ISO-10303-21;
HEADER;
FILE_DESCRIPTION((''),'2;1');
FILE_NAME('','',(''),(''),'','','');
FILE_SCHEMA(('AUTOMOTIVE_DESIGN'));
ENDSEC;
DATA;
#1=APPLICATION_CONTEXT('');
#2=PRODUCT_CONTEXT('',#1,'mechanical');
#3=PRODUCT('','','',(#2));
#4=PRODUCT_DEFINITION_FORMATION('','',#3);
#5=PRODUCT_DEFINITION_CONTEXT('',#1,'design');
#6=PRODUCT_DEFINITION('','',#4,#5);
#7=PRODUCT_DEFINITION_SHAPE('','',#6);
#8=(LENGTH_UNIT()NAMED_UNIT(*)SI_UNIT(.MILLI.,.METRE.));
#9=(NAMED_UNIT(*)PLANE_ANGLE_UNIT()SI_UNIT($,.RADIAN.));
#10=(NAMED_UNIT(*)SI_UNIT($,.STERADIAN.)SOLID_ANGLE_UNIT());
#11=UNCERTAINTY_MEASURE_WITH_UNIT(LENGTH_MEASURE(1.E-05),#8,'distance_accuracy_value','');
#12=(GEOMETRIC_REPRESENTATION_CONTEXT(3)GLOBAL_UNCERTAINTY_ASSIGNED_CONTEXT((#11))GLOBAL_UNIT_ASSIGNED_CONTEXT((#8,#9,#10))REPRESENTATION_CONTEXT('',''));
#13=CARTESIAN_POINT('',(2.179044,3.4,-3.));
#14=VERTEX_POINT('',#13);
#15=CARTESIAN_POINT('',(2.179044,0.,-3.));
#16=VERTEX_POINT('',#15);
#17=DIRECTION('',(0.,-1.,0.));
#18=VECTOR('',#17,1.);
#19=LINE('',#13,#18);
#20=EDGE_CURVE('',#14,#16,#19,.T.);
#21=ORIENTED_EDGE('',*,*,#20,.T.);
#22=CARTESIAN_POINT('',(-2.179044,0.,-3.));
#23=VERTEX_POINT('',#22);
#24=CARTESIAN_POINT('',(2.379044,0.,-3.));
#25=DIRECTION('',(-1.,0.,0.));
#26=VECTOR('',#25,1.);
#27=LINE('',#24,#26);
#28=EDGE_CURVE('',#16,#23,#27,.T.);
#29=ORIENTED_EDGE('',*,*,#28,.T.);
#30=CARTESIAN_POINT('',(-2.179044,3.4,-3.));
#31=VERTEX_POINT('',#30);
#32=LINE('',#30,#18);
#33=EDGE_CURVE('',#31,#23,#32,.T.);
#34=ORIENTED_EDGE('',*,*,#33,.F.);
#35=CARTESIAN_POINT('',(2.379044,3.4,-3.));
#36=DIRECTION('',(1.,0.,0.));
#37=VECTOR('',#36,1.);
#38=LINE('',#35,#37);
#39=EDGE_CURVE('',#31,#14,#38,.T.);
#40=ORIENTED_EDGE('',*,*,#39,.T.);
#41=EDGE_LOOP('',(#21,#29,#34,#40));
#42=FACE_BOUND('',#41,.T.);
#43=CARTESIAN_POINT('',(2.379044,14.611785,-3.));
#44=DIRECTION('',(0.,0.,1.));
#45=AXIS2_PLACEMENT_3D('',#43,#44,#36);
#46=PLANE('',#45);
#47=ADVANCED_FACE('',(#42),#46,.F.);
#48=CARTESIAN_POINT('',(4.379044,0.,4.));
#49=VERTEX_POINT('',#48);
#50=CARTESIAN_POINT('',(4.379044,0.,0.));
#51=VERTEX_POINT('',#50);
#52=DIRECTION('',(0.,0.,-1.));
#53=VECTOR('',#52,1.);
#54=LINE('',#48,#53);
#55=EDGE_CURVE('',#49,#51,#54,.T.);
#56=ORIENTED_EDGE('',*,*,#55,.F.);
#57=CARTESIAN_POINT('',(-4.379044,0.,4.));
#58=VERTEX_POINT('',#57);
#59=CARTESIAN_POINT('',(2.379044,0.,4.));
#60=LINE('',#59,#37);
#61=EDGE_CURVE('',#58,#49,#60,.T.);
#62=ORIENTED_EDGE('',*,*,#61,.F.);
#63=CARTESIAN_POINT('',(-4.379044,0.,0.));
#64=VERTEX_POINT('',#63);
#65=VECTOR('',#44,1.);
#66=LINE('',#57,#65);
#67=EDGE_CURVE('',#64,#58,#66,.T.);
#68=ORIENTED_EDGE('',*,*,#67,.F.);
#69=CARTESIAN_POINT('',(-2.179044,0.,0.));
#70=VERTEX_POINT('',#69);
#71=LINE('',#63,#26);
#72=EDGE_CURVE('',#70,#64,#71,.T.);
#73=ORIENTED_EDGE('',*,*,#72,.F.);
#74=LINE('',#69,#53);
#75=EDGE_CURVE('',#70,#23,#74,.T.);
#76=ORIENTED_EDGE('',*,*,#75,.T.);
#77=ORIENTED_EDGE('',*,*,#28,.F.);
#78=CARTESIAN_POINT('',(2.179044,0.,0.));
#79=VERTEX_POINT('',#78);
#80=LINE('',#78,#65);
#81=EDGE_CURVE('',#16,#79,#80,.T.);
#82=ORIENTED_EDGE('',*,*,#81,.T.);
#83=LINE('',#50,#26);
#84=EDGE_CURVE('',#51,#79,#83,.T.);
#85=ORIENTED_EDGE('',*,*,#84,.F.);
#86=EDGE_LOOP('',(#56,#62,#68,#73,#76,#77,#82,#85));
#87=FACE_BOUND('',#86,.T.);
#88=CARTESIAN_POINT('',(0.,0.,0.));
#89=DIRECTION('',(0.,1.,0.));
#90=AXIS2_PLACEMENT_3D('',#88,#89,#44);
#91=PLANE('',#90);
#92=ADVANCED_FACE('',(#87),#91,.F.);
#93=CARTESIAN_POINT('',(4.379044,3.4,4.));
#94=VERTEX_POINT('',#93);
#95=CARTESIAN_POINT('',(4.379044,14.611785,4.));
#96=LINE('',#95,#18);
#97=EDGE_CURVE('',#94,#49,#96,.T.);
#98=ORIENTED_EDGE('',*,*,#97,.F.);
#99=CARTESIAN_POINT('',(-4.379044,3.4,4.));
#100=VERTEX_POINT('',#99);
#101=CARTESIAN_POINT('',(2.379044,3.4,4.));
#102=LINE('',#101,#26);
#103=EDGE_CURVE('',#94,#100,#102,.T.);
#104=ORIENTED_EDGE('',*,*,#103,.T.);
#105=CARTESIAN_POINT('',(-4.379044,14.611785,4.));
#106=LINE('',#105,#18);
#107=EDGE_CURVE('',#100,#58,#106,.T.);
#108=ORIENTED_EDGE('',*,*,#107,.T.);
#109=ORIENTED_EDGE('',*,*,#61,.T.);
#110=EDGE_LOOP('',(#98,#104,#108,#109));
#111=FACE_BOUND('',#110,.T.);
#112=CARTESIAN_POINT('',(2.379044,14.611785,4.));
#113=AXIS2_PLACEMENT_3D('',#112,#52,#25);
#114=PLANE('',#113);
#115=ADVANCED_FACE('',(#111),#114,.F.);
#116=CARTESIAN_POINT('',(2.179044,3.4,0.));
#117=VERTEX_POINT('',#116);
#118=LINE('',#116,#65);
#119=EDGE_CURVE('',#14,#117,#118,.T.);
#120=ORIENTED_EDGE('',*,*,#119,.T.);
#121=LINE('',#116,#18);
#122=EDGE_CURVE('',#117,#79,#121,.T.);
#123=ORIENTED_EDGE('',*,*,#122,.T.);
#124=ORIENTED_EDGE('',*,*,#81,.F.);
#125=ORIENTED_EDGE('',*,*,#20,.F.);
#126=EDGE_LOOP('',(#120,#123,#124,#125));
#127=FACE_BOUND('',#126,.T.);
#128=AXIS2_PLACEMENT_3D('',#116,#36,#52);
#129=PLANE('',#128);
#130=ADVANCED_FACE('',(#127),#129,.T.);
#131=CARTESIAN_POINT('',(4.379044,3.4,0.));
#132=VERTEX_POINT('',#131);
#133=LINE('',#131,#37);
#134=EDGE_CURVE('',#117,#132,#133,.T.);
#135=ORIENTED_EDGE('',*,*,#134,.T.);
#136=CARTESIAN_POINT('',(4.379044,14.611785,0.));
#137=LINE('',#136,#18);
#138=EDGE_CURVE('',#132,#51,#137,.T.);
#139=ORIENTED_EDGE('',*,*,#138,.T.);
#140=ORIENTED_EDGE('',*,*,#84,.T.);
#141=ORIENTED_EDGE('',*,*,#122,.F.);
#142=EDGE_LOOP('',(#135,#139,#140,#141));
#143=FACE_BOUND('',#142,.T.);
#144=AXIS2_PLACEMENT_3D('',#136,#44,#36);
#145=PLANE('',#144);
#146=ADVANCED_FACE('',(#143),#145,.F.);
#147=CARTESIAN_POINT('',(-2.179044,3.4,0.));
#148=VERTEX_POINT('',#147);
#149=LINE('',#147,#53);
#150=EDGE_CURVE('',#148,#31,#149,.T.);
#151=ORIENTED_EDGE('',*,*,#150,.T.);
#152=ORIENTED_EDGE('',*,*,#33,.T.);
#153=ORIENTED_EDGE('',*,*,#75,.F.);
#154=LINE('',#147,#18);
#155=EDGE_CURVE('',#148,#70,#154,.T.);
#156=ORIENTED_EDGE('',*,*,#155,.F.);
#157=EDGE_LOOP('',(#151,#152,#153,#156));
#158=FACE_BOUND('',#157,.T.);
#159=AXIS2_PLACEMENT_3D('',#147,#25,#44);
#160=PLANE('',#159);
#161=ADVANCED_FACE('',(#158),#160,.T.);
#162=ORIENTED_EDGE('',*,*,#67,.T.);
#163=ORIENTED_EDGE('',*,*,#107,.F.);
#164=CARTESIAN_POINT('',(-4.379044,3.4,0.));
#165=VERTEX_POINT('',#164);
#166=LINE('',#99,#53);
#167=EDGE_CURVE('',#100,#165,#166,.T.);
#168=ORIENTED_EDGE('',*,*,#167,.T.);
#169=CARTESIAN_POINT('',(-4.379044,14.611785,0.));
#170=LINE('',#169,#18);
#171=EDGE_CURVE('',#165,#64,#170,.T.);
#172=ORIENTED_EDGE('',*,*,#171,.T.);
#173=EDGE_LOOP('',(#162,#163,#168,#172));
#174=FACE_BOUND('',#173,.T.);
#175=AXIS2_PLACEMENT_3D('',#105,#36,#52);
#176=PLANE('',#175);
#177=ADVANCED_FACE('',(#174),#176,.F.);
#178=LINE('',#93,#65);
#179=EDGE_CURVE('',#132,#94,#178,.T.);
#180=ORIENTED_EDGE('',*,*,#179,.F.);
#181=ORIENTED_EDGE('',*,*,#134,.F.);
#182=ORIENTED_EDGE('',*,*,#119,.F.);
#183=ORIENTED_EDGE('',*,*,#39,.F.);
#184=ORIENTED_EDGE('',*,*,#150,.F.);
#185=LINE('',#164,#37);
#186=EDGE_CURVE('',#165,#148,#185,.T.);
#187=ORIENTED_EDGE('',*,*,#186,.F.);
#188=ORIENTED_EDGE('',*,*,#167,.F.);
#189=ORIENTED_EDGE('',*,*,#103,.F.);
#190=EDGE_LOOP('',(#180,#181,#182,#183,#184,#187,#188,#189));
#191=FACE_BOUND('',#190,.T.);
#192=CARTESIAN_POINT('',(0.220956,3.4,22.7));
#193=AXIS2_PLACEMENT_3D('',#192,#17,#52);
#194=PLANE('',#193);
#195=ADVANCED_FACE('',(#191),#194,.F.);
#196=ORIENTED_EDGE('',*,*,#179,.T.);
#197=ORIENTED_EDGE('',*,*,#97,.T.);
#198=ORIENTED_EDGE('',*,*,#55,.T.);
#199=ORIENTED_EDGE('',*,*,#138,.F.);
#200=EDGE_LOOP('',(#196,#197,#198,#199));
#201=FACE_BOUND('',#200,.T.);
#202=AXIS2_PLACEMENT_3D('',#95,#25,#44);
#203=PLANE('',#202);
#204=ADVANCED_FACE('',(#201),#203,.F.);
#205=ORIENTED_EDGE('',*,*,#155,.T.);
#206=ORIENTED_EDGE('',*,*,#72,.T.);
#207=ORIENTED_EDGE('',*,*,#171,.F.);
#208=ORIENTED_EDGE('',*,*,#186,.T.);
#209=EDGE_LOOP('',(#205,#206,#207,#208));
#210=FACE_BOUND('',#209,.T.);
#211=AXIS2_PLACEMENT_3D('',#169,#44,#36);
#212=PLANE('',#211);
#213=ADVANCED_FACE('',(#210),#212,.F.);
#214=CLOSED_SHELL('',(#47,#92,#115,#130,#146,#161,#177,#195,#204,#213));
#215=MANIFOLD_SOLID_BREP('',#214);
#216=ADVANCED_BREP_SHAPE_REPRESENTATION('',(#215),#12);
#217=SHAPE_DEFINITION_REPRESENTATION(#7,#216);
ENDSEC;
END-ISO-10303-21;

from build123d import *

# Parameters (mm, degrees)
EXTRUDE_1_DEPTH     = 3.4
SKETCH_2_W          = 0.4
SKETCH_2_H          = 3
CUT_EXTRUDE_1_DEPTH = 7.83637537


with BuildPart() as part:
    # Эскиз1 → Бобышка-Вытянуть1 (new body)
    with BuildSketch(Plane(origin=(0, 0, 0), x_dir=(1, 0, 0), z_dir=(0, 1, 0))):
        Polygon((2.37904421, -4), (-2.37904421, -4), (-4.37904421, -4), (-4.37904421, 0), (-2.37904421, 0), (-2.37904421, 3), (2.37904421, 3), (2.37904421, 0), (4.37904421, 0), (4.37904421, -4), align=None)
    extrude(amount=EXTRUDE_1_DEPTH)

    # Эскиз2 → Вырез-Вытянуть1 (cut, through all)
    with BuildSketch(Plane(origin=(0, 0, 0), x_dir=(1, 0, 0), z_dir=(0, 1, 0))):
        with Locations((2.37904421, 1.5)):
            Rectangle(SKETCH_2_W, SKETCH_2_H)
        with Locations((-2.37904421, 1.5)):
            Rectangle(SKETCH_2_W, SKETCH_2_H)
    extrude(amount=CUT_EXTRUDE_1_DEPTH, mode=Mode.SUBTRACT)


solid = part.part
